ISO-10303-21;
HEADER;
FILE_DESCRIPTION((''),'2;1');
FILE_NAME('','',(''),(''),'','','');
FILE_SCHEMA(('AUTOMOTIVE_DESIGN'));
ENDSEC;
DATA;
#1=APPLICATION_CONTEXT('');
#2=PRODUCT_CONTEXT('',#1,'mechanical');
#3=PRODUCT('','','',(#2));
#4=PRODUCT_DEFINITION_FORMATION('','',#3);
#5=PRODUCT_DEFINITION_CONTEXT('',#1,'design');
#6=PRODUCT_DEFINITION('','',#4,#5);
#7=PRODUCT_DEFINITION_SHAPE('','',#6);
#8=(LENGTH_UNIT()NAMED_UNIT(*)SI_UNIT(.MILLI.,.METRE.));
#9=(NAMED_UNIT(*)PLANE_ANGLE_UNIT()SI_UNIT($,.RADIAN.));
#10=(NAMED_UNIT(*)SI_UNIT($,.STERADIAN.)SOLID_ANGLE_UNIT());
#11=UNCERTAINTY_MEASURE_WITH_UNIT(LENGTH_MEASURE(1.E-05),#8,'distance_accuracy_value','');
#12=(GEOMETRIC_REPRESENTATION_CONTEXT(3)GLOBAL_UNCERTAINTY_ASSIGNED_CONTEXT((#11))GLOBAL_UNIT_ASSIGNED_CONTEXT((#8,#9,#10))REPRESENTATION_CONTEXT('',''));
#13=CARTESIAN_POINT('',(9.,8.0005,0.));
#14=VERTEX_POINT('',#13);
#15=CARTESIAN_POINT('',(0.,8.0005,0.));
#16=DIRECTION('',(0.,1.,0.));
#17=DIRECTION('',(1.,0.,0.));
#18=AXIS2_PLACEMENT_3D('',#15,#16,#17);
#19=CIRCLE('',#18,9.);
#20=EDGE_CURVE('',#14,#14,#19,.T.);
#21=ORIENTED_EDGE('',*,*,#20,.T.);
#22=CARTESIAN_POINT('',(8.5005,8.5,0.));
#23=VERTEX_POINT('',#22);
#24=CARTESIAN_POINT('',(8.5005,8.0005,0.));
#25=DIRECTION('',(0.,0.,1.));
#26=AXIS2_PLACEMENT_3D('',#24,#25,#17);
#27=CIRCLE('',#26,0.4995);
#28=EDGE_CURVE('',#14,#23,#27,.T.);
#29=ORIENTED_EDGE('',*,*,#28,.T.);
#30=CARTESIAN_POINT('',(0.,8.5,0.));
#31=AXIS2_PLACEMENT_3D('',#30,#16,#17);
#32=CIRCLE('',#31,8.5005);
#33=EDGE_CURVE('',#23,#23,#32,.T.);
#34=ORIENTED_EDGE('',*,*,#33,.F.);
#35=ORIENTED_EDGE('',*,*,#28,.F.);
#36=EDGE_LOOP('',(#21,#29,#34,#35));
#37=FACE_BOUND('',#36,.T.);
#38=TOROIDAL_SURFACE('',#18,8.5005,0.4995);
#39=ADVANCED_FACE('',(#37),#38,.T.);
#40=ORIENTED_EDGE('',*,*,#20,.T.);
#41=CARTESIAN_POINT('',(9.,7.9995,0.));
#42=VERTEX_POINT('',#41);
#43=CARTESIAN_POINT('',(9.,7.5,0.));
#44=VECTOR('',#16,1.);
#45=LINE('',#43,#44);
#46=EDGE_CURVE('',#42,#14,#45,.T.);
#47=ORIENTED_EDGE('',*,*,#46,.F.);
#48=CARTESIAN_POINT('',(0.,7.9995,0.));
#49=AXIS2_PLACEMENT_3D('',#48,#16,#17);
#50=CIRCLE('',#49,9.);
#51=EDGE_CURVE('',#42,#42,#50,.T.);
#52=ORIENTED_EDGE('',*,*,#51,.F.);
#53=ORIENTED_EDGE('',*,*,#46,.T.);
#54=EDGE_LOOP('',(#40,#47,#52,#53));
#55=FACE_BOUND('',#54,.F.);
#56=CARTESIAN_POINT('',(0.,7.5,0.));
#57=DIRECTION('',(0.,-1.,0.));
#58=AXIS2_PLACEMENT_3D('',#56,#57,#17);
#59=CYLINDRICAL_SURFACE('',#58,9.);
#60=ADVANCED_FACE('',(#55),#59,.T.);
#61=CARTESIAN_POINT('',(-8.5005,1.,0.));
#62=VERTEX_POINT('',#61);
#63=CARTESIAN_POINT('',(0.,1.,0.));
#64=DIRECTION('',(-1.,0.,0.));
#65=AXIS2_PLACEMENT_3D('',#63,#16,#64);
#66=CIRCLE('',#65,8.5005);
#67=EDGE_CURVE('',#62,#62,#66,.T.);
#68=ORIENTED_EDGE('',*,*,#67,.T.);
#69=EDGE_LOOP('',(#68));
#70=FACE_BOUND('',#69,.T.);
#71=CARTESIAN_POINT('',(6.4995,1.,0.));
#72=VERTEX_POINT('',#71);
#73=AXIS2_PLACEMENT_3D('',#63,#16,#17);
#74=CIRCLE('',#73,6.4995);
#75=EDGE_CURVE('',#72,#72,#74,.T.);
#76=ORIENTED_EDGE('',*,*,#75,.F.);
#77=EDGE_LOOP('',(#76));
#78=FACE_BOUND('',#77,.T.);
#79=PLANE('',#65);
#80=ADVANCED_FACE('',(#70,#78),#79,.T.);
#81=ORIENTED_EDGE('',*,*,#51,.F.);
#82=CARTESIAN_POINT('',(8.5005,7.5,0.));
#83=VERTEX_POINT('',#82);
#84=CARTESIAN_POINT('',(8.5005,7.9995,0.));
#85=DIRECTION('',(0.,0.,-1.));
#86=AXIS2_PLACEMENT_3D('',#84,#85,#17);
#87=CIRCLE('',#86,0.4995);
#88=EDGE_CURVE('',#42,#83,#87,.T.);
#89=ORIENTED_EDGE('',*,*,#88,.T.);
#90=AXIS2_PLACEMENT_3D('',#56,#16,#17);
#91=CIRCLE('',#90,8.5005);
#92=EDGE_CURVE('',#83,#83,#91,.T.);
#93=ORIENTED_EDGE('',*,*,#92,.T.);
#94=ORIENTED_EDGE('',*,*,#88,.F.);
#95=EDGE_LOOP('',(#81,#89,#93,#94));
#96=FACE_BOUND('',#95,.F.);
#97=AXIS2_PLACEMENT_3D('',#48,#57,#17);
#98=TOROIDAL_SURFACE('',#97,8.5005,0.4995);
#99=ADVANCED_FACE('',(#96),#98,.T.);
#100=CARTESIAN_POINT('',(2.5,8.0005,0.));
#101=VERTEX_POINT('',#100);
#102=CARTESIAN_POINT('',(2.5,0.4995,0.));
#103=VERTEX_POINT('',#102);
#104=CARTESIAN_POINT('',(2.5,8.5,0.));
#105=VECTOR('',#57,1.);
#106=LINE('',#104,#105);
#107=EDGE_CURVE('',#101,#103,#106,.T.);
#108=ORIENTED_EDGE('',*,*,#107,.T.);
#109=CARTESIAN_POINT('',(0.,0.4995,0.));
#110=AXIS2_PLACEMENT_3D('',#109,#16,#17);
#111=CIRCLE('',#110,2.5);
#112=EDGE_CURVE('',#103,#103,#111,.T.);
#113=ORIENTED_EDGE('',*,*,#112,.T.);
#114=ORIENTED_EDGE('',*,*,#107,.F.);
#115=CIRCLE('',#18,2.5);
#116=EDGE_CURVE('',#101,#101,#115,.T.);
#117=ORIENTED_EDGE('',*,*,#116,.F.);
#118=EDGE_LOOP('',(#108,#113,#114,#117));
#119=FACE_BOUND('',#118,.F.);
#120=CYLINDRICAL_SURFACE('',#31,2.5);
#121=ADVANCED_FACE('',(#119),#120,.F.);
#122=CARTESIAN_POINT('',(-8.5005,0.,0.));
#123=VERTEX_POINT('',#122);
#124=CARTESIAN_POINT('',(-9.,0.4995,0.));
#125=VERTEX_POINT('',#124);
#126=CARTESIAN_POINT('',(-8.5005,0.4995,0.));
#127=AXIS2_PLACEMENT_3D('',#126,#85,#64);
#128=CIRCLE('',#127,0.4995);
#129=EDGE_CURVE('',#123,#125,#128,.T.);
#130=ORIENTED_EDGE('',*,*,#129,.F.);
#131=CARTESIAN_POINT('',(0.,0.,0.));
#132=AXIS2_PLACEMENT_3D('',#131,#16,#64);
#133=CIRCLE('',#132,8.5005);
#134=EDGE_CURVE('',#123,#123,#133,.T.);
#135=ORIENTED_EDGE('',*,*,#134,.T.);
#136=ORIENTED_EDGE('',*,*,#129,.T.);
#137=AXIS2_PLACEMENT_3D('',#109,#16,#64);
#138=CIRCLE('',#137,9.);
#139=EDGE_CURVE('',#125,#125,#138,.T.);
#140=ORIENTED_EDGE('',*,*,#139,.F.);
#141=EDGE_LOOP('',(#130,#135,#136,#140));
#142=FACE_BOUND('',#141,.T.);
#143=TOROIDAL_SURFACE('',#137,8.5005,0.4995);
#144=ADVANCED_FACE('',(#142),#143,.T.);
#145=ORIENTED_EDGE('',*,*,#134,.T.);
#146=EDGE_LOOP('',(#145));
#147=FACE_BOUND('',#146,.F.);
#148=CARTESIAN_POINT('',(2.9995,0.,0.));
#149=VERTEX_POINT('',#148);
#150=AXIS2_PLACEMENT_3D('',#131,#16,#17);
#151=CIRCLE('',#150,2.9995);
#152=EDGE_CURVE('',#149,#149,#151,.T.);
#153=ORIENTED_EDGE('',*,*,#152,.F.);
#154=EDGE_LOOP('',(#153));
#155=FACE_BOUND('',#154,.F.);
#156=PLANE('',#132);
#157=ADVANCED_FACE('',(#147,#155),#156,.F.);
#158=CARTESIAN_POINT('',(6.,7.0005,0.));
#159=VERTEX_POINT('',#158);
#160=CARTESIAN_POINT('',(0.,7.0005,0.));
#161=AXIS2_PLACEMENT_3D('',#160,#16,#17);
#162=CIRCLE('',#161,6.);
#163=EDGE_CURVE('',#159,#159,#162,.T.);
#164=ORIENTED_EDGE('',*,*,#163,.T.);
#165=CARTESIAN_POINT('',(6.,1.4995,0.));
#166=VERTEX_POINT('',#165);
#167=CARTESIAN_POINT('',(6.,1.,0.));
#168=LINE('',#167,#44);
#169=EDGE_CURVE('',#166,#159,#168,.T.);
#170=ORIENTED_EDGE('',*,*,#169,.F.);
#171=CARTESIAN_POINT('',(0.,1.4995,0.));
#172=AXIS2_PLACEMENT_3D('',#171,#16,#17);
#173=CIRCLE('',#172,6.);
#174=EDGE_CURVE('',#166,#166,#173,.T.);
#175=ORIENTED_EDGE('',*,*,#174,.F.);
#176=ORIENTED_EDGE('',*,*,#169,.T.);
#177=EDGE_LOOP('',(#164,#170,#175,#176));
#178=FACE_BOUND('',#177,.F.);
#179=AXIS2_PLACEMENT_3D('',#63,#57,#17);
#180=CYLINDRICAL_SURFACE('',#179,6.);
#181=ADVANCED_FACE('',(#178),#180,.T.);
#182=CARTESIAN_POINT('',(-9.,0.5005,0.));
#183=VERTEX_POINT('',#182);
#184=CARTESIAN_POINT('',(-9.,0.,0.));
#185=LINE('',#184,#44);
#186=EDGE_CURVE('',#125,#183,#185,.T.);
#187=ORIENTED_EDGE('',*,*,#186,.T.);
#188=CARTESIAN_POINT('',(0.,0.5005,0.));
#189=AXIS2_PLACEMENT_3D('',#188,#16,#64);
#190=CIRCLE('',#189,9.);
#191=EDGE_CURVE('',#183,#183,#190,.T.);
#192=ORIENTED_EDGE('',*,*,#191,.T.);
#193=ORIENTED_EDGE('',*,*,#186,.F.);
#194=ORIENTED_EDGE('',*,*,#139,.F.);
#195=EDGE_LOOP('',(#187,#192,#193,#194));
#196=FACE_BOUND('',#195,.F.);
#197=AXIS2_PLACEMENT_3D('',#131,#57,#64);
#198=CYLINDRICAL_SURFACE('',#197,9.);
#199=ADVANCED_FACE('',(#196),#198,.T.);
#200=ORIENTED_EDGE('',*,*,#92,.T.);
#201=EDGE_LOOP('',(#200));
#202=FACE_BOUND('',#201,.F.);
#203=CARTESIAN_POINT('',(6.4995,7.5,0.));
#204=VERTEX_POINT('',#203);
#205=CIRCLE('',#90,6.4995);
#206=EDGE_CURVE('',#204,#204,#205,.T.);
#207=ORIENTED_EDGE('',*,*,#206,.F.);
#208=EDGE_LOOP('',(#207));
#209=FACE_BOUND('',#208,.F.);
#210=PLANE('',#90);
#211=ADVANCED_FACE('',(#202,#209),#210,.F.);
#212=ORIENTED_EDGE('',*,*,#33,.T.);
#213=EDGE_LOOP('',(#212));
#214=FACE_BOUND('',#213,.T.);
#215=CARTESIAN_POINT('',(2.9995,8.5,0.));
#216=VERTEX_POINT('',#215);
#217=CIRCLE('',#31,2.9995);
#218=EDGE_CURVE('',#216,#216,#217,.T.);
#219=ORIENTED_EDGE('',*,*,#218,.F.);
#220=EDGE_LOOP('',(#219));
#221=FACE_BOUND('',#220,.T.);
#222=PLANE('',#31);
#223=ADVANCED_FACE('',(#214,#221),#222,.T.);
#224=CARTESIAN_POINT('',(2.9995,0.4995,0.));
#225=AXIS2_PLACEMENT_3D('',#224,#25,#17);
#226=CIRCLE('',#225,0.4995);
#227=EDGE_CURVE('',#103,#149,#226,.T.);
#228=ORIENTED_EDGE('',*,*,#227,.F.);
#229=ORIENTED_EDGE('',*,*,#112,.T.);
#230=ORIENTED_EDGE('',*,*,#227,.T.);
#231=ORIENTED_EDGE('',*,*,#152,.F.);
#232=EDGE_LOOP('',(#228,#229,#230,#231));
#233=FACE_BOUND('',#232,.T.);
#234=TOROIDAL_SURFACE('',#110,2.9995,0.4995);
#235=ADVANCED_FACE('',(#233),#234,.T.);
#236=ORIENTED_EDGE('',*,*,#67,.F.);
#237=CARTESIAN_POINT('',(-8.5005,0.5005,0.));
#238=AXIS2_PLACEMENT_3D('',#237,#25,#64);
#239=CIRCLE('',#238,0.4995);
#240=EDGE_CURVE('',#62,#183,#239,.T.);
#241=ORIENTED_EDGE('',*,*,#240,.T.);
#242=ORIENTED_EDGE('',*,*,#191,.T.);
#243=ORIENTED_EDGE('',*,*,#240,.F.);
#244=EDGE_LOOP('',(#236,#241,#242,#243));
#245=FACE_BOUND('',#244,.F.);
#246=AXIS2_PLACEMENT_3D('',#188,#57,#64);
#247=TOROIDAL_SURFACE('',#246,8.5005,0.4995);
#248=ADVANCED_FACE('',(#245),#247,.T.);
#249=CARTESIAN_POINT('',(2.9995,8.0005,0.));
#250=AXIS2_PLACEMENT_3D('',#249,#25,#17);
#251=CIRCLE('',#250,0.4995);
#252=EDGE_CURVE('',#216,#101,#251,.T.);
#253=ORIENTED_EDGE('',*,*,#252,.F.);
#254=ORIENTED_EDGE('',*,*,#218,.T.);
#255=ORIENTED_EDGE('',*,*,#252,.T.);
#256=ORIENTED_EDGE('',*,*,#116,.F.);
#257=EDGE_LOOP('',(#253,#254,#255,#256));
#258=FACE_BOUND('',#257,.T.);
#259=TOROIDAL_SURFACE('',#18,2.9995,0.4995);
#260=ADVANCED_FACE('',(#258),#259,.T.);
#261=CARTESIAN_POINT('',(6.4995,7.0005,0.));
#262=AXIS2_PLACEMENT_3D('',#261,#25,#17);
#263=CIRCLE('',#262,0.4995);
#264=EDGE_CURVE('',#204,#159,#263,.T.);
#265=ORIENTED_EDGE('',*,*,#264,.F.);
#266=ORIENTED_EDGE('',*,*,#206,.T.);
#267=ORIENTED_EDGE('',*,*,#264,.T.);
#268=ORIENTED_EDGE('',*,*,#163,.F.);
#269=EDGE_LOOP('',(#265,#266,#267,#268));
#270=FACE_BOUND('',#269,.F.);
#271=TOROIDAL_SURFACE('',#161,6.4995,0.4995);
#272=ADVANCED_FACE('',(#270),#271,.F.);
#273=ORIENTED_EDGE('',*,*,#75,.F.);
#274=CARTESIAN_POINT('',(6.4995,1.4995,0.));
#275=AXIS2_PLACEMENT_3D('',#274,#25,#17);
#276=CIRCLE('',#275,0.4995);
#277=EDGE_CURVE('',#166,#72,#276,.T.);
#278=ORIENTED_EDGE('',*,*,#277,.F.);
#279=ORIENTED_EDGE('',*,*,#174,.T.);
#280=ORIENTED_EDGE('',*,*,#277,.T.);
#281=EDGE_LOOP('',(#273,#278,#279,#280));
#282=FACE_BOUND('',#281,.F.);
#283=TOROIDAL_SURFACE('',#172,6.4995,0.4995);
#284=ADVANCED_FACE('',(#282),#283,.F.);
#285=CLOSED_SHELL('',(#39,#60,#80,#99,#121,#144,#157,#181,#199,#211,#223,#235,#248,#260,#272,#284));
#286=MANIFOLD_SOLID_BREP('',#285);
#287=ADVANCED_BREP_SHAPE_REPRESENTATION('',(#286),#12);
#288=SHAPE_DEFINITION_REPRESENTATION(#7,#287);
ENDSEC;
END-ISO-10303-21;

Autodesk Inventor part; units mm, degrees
ref_plane "YZ Plane" through (0, 0, 0) normal (1, 0, 0) x (0, 1, 0)
ref_plane "XZ Plane" through (0, 0, 0) normal (0, 1, 0) x (-1, 0, 0)
ref_plane "XY Plane" through (0, 0, 0) normal (0, 0, 1) x (1, 0, 0)
sketch "Sketch1" plane through (0, 0, 0) normal (0, 1, 0) x (-1, 0, 0)
  circle A0 centre (0, 0) radius 9
  dimension "d0" = 18
extrude "Extrusion1" add sketch "Sketch1" along normal blind 1
sketch "Sketch2" plane through (0, 1, 0) normal (0, 1, 0) x (1, 0, 0)
  circle A0 centre (0, 0) radius 6
  dimension "d3" = 12
extrude "Extrusion2" add sketch "Sketch2" along normal blind 6.5
sketch "Sketch3" plane through (0, 7.5, 0) normal (0, 1, 0) x (1, 0, 0)
  circle A0 centre (0, 0) radius 9
extrude "Extrusion3" add sketch "Sketch3" along normal blind 1
sketch "Sketch4" plane through (0, 8.5, 0) normal (0, 1, 0) x (1, 0, 0)
  circle A0 centre (0, 0) radius 2.5
  dimension "d8" = 5
extrude "Extrusion4" cut sketch "Sketch4" against normal blind 20
fillet "Fillet1" radius 0.5 8 edges at (-2.5, 8.5, 0) (-9, 8.5, 0) (-9, 7.5, 0) (-6, 1, 0) (9, 1, 0) (9, 0, 0) (-2.5, 0, 0) (-6, 7.5, 0)
properties part number "Umlenkrolle_5mm"
